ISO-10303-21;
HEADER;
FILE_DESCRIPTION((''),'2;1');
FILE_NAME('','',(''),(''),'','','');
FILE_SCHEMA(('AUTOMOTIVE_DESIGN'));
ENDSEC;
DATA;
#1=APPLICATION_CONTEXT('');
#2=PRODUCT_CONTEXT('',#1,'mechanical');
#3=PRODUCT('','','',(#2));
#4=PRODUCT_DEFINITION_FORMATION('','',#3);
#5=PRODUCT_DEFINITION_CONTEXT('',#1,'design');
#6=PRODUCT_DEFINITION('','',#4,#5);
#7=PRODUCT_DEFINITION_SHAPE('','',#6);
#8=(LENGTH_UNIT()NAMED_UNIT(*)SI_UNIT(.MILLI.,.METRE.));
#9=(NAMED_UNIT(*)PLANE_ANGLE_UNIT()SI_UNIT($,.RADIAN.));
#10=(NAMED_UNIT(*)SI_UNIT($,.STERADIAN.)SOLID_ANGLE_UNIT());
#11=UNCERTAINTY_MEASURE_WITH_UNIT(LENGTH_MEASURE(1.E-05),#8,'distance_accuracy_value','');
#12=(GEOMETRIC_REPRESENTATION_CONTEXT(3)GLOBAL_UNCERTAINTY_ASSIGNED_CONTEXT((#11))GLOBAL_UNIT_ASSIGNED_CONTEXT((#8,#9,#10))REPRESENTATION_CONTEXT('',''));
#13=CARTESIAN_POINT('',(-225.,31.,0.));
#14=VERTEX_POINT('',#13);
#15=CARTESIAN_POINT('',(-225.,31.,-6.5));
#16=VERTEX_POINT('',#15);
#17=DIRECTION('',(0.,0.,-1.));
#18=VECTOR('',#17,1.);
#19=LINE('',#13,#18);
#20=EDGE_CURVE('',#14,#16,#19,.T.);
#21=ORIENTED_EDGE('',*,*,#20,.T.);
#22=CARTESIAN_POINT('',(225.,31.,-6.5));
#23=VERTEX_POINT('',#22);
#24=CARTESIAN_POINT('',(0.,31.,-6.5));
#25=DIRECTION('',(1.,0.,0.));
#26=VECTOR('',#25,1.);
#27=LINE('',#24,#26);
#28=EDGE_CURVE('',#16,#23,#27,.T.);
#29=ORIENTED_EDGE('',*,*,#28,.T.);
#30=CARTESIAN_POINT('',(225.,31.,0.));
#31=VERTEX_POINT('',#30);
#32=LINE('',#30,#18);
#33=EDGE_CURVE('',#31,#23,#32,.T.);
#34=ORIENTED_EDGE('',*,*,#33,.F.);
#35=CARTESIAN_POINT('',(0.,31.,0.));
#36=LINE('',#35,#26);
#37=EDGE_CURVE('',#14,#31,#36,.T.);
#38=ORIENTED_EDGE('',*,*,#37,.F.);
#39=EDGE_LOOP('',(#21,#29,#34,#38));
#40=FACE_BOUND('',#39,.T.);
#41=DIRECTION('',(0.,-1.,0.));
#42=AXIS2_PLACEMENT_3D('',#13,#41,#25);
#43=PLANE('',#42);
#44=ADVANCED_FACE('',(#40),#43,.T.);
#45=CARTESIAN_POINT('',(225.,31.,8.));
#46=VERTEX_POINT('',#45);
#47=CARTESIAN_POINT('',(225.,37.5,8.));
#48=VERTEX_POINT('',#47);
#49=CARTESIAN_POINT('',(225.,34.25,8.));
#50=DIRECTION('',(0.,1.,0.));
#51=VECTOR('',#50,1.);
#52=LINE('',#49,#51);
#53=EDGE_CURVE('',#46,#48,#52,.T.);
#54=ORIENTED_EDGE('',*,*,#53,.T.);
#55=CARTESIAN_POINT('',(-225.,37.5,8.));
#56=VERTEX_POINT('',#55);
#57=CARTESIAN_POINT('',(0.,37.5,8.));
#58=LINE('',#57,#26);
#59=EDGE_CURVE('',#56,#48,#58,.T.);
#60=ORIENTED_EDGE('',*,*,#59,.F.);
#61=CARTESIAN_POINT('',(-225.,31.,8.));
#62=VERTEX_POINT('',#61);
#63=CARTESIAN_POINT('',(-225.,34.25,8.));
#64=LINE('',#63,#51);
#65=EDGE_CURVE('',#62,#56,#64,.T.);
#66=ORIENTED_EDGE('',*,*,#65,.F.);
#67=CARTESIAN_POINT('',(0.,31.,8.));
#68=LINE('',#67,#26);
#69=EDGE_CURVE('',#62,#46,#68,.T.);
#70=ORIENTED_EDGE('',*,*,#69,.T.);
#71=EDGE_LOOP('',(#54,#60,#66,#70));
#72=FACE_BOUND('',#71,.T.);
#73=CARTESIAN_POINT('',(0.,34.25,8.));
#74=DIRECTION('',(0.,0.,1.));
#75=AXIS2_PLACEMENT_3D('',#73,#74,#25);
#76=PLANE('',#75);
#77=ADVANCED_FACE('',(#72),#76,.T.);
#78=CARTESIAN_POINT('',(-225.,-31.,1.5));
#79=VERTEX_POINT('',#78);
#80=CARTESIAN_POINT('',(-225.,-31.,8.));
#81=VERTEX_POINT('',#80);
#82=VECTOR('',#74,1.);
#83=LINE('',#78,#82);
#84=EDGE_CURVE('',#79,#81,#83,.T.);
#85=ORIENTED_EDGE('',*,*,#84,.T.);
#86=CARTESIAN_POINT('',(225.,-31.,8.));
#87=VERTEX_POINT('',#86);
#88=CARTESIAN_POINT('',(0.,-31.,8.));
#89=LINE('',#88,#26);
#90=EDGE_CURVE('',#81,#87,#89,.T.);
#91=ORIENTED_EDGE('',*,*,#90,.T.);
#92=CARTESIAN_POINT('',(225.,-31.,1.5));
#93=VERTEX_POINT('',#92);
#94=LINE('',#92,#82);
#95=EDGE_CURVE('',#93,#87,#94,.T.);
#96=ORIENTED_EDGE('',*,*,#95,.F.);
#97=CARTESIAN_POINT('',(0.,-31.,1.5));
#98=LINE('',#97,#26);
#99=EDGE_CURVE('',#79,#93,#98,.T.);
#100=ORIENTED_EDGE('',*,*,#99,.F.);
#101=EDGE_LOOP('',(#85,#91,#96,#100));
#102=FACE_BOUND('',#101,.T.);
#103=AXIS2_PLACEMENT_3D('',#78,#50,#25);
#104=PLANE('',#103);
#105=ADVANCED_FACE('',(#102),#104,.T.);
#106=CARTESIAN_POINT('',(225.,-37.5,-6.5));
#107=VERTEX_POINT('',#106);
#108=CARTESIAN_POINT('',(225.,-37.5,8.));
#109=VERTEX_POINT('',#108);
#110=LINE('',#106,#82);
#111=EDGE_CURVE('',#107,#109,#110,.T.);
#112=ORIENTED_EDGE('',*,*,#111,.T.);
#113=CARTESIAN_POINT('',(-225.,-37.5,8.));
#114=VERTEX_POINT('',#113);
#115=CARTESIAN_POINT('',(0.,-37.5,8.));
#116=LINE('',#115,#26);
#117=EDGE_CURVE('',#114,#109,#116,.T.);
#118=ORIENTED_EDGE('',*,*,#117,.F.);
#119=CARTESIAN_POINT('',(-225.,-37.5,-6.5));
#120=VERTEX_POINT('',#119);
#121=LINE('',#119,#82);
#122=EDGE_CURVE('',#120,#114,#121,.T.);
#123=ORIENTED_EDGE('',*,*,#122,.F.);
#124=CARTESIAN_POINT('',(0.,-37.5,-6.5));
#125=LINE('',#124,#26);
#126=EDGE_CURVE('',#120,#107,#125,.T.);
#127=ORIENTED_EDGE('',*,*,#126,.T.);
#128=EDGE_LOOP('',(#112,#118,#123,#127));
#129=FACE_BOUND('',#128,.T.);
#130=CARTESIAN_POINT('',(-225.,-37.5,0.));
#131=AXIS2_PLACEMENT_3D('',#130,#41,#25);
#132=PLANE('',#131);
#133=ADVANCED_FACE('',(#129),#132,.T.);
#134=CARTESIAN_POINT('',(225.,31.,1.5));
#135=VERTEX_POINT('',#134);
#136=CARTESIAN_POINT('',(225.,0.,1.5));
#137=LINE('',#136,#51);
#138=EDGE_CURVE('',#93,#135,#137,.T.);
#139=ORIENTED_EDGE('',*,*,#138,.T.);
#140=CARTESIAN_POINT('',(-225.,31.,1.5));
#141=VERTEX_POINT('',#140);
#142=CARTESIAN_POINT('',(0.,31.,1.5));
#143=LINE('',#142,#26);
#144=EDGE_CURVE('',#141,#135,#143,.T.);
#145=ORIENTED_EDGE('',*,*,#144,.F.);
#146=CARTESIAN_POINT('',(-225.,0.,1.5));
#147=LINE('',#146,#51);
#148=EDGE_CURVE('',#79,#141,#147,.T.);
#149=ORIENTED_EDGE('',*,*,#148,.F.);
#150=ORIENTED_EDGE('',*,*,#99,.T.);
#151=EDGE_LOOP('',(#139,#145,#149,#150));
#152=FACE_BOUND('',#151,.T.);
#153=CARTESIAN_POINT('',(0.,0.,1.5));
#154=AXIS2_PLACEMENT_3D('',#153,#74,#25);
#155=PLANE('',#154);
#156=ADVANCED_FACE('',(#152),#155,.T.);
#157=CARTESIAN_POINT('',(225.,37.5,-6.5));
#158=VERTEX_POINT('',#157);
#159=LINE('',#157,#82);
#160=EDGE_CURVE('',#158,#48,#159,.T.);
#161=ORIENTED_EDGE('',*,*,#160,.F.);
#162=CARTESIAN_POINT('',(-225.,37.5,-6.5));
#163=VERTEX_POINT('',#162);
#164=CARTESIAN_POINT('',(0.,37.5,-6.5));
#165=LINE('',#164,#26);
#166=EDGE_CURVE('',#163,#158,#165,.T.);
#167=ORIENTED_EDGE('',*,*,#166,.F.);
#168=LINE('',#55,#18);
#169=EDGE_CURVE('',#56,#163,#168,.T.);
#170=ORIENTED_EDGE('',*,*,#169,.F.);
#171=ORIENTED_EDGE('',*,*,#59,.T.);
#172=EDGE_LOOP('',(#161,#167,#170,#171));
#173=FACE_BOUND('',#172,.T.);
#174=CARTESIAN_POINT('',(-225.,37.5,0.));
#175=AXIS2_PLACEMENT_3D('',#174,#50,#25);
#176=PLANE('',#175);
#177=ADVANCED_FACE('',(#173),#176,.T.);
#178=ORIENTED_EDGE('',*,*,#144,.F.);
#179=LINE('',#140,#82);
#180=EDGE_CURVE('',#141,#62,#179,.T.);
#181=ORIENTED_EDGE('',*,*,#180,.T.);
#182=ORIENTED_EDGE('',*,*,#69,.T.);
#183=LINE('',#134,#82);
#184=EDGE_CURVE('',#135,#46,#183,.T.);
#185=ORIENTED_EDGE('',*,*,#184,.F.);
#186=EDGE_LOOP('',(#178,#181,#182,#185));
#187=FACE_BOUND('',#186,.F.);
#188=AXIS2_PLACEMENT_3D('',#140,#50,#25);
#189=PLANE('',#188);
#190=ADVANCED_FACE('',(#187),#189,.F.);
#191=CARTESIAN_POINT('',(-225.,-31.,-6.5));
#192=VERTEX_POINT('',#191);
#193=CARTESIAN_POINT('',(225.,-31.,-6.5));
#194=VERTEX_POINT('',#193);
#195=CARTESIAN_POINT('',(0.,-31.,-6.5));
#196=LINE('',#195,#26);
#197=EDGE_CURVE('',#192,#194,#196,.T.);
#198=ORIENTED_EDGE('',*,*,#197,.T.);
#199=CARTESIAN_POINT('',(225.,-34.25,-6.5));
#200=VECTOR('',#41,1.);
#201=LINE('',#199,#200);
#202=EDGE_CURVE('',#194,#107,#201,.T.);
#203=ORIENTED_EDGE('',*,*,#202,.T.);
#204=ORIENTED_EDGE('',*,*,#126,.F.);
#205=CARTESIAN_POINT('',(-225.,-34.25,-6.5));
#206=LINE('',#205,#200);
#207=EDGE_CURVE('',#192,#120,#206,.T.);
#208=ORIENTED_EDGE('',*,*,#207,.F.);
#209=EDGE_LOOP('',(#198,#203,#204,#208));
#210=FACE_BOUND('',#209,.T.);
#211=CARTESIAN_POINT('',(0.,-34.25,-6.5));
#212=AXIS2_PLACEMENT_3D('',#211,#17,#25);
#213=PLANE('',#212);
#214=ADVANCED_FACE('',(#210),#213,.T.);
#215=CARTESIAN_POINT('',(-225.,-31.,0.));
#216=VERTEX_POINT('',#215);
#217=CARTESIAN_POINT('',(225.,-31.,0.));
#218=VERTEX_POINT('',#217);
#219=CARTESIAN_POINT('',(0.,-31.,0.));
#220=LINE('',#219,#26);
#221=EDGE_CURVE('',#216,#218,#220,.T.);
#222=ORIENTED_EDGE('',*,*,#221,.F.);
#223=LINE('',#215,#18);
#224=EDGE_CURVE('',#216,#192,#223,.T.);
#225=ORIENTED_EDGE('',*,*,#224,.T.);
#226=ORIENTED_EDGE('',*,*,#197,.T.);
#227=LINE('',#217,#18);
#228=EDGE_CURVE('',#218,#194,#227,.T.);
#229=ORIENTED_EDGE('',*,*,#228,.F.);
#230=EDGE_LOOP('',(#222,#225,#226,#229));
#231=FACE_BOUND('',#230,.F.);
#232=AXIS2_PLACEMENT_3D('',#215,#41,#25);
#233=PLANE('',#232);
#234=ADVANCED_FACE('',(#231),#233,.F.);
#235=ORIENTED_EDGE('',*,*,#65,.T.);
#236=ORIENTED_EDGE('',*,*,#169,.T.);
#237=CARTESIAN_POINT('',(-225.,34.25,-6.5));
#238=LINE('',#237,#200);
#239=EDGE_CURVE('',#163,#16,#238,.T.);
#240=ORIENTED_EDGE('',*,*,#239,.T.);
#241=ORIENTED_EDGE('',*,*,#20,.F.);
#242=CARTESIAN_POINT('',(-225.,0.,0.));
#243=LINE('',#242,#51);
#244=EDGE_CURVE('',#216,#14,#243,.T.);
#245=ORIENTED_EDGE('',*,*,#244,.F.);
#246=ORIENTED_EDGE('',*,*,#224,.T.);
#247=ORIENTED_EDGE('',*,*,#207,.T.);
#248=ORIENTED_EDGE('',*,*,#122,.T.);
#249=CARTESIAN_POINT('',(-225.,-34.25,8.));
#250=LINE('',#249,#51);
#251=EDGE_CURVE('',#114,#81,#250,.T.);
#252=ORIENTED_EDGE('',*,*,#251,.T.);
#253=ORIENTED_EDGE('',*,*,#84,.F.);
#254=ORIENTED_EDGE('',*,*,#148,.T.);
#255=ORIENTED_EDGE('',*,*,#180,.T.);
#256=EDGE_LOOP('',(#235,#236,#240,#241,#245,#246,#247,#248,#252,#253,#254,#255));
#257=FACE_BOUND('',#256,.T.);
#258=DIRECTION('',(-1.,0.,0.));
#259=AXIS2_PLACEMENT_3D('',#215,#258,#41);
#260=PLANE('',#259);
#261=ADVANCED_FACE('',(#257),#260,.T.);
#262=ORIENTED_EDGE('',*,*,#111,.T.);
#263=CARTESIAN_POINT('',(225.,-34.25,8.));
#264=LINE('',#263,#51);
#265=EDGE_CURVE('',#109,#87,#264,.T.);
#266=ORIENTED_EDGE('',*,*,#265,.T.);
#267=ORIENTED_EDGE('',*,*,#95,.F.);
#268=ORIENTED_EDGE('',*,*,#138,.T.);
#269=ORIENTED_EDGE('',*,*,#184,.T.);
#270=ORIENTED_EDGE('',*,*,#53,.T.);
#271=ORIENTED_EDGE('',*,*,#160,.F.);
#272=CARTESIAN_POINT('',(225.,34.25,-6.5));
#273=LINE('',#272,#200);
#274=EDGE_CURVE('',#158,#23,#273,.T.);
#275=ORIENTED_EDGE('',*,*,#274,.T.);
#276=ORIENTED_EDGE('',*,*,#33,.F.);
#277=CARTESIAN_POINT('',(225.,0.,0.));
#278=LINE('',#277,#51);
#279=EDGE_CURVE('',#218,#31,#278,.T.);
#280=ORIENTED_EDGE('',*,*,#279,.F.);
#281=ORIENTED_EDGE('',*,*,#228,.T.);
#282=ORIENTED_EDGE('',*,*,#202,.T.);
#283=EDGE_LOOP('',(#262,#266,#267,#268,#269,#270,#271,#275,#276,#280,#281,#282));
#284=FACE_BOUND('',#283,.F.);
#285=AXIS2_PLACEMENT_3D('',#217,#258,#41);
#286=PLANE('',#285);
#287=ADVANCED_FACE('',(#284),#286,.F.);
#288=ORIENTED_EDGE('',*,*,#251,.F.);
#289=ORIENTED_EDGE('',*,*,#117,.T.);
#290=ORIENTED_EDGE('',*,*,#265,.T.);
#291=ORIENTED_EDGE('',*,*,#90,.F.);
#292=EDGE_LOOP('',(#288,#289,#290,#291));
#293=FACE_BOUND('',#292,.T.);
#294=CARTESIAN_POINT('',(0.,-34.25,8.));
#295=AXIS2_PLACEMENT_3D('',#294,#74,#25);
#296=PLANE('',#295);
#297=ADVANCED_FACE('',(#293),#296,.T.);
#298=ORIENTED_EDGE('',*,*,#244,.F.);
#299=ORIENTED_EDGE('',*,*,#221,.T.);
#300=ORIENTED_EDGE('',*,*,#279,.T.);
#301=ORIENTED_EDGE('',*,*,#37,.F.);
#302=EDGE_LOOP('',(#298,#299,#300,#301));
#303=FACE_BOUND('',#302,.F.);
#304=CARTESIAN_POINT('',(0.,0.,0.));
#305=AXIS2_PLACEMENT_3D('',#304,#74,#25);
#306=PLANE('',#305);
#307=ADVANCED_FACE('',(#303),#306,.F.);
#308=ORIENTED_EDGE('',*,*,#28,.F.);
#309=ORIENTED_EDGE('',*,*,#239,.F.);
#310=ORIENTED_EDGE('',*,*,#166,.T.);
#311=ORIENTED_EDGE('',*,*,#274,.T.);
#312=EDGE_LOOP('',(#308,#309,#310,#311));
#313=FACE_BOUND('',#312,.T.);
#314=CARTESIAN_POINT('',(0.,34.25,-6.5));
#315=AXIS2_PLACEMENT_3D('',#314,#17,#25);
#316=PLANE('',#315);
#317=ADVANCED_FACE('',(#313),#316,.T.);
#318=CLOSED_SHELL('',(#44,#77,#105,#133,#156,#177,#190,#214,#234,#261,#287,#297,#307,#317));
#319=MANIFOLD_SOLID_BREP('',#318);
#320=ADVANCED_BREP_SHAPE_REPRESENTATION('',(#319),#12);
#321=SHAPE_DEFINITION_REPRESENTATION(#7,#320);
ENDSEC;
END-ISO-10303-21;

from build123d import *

# Parameters (mm, degrees)
F0_W     = 450
F0_H     = 75
F1_DEPTH = 1.5
F2_W     = 450
F2_H     = 6.5
F3_DEPTH = 6.5
F4_W     = 450
F4_H     = 6.5
F5_DEPTH = 6.5


with BuildPart() as f1:
    # F0 (on Top) → F1 (new body)
    with BuildSketch(Plane.XY):
        Rectangle(F0_W, F0_H)
    extrude(amount=F1_DEPTH)

    # F2 (on face) → F3 (join)
    with BuildSketch(Plane.XY.offset(1.5)):
        with Locations((0, -34.25)):
            Rectangle(F2_W, F2_H)
        with Locations((0, 34.25)):
            Rectangle(F2_W, F2_H)
    extrude(amount=F3_DEPTH)

    # F4 (on face) → F5 (join)
    with BuildSketch(Plane(origin=(0, 0, 0), x_dir=(1, 0, 0), z_dir=(0, 0, -1))):
        with Locations((0, 34.25)):
            Rectangle(F4_W, F4_H)
        with Locations((0, -34.25)):
            Rectangle(F4_W, F4_H)
    extrude(amount=F5_DEPTH)


solid = f1.part
